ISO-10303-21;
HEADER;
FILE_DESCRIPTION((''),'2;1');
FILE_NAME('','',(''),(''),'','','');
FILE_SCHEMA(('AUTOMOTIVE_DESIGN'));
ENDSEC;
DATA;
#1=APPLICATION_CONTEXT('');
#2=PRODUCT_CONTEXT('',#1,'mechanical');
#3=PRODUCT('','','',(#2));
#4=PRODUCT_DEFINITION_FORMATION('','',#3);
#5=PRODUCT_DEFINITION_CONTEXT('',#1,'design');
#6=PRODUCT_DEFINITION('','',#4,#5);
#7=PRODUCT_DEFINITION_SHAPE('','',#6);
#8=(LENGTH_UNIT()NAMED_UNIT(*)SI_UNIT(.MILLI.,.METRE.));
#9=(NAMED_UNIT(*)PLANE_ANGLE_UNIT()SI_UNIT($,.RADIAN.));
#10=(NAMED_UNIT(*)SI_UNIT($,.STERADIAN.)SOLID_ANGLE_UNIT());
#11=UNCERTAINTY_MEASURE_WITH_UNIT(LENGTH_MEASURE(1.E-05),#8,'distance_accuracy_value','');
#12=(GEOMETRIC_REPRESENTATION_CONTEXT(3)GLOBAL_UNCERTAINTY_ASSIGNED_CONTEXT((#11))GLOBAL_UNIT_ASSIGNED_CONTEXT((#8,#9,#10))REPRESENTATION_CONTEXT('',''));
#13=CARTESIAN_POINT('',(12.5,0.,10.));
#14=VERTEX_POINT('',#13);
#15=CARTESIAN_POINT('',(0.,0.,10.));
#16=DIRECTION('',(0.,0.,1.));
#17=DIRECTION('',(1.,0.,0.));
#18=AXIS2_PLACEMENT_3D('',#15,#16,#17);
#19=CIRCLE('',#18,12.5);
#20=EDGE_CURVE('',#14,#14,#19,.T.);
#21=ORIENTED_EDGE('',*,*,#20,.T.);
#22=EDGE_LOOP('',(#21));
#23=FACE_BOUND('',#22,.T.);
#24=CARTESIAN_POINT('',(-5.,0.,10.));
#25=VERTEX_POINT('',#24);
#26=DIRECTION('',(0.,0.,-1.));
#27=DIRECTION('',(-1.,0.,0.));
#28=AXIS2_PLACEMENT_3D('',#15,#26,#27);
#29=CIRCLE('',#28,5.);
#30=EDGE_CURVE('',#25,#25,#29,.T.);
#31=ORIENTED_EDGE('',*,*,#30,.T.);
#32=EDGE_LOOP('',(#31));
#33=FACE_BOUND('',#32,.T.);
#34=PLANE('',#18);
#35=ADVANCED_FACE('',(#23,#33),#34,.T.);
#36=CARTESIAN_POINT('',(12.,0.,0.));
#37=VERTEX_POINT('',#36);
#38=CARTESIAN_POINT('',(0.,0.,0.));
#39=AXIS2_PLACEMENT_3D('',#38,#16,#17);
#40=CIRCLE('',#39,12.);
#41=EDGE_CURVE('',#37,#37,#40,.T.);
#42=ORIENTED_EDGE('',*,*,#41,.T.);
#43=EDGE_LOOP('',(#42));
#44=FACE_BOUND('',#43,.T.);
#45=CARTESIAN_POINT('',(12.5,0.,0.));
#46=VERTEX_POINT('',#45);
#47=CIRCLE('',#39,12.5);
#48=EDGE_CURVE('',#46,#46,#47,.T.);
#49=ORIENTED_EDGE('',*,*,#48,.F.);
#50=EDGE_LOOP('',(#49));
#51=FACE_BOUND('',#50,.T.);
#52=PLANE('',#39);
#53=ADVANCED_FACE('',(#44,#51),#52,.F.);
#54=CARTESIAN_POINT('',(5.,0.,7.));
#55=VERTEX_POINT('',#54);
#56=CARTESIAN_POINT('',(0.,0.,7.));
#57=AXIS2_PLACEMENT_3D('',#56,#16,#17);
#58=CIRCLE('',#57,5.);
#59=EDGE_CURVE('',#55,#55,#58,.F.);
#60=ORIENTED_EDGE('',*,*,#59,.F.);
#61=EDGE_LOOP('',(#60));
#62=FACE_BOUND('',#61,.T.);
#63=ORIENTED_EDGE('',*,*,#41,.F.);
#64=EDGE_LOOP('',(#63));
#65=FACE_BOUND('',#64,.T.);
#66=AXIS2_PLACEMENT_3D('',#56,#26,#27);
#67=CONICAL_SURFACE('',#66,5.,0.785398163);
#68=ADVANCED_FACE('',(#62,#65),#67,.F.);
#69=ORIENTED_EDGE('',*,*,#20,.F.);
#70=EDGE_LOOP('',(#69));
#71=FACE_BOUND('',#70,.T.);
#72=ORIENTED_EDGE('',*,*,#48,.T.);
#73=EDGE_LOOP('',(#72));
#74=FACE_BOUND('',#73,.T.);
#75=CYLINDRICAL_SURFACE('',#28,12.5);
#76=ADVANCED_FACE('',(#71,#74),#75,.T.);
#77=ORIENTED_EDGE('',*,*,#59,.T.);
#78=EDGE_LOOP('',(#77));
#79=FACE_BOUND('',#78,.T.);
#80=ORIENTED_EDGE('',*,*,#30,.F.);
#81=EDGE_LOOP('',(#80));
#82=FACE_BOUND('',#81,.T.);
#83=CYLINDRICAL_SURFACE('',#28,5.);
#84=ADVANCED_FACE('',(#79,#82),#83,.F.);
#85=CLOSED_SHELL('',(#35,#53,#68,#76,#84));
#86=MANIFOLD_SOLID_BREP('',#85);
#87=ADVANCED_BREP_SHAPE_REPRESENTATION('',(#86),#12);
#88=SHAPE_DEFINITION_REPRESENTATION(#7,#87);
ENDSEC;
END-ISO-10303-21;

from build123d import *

# Parameters (mm, degrees)
SKETCH_1_R          = 12.5
EXTRUDE_1_DEPTH     = 10
SKETCH_3_R          = 5
CUT_EXTRUDE_1_DEPTH = 11
CHAMFER_1_SIZE      = 7


with BuildPart() as part:
    # ｽｹｯﾁ1 → ﾎﾞｽ - 押し出し1 (new body)
    with BuildSketch(Plane.XY):
        Circle(SKETCH_1_R)
    extrude(amount=EXTRUDE_1_DEPTH)

    # ｽｹｯﾁ3 → ｶｯﾄ - 押し出し1 (cut, through all)
    with BuildSketch(Plane(origin=(0, 0, 0), x_dir=(-1, 0, 0), z_dir=(0, 0, -1))):
        Circle(SKETCH_3_R)
    extrude(amount=-CUT_EXTRUDE_1_DEPTH, mode=Mode.SUBTRACT)

    # 面取り1
    chamfer_1_edges = [part.edges().sort_by_distance(p)[0] for p in [
        (5, 0, 0),
    ]]
    chamfer(chamfer_1_edges, length=CHAMFER_1_SIZE)


solid = part.part
